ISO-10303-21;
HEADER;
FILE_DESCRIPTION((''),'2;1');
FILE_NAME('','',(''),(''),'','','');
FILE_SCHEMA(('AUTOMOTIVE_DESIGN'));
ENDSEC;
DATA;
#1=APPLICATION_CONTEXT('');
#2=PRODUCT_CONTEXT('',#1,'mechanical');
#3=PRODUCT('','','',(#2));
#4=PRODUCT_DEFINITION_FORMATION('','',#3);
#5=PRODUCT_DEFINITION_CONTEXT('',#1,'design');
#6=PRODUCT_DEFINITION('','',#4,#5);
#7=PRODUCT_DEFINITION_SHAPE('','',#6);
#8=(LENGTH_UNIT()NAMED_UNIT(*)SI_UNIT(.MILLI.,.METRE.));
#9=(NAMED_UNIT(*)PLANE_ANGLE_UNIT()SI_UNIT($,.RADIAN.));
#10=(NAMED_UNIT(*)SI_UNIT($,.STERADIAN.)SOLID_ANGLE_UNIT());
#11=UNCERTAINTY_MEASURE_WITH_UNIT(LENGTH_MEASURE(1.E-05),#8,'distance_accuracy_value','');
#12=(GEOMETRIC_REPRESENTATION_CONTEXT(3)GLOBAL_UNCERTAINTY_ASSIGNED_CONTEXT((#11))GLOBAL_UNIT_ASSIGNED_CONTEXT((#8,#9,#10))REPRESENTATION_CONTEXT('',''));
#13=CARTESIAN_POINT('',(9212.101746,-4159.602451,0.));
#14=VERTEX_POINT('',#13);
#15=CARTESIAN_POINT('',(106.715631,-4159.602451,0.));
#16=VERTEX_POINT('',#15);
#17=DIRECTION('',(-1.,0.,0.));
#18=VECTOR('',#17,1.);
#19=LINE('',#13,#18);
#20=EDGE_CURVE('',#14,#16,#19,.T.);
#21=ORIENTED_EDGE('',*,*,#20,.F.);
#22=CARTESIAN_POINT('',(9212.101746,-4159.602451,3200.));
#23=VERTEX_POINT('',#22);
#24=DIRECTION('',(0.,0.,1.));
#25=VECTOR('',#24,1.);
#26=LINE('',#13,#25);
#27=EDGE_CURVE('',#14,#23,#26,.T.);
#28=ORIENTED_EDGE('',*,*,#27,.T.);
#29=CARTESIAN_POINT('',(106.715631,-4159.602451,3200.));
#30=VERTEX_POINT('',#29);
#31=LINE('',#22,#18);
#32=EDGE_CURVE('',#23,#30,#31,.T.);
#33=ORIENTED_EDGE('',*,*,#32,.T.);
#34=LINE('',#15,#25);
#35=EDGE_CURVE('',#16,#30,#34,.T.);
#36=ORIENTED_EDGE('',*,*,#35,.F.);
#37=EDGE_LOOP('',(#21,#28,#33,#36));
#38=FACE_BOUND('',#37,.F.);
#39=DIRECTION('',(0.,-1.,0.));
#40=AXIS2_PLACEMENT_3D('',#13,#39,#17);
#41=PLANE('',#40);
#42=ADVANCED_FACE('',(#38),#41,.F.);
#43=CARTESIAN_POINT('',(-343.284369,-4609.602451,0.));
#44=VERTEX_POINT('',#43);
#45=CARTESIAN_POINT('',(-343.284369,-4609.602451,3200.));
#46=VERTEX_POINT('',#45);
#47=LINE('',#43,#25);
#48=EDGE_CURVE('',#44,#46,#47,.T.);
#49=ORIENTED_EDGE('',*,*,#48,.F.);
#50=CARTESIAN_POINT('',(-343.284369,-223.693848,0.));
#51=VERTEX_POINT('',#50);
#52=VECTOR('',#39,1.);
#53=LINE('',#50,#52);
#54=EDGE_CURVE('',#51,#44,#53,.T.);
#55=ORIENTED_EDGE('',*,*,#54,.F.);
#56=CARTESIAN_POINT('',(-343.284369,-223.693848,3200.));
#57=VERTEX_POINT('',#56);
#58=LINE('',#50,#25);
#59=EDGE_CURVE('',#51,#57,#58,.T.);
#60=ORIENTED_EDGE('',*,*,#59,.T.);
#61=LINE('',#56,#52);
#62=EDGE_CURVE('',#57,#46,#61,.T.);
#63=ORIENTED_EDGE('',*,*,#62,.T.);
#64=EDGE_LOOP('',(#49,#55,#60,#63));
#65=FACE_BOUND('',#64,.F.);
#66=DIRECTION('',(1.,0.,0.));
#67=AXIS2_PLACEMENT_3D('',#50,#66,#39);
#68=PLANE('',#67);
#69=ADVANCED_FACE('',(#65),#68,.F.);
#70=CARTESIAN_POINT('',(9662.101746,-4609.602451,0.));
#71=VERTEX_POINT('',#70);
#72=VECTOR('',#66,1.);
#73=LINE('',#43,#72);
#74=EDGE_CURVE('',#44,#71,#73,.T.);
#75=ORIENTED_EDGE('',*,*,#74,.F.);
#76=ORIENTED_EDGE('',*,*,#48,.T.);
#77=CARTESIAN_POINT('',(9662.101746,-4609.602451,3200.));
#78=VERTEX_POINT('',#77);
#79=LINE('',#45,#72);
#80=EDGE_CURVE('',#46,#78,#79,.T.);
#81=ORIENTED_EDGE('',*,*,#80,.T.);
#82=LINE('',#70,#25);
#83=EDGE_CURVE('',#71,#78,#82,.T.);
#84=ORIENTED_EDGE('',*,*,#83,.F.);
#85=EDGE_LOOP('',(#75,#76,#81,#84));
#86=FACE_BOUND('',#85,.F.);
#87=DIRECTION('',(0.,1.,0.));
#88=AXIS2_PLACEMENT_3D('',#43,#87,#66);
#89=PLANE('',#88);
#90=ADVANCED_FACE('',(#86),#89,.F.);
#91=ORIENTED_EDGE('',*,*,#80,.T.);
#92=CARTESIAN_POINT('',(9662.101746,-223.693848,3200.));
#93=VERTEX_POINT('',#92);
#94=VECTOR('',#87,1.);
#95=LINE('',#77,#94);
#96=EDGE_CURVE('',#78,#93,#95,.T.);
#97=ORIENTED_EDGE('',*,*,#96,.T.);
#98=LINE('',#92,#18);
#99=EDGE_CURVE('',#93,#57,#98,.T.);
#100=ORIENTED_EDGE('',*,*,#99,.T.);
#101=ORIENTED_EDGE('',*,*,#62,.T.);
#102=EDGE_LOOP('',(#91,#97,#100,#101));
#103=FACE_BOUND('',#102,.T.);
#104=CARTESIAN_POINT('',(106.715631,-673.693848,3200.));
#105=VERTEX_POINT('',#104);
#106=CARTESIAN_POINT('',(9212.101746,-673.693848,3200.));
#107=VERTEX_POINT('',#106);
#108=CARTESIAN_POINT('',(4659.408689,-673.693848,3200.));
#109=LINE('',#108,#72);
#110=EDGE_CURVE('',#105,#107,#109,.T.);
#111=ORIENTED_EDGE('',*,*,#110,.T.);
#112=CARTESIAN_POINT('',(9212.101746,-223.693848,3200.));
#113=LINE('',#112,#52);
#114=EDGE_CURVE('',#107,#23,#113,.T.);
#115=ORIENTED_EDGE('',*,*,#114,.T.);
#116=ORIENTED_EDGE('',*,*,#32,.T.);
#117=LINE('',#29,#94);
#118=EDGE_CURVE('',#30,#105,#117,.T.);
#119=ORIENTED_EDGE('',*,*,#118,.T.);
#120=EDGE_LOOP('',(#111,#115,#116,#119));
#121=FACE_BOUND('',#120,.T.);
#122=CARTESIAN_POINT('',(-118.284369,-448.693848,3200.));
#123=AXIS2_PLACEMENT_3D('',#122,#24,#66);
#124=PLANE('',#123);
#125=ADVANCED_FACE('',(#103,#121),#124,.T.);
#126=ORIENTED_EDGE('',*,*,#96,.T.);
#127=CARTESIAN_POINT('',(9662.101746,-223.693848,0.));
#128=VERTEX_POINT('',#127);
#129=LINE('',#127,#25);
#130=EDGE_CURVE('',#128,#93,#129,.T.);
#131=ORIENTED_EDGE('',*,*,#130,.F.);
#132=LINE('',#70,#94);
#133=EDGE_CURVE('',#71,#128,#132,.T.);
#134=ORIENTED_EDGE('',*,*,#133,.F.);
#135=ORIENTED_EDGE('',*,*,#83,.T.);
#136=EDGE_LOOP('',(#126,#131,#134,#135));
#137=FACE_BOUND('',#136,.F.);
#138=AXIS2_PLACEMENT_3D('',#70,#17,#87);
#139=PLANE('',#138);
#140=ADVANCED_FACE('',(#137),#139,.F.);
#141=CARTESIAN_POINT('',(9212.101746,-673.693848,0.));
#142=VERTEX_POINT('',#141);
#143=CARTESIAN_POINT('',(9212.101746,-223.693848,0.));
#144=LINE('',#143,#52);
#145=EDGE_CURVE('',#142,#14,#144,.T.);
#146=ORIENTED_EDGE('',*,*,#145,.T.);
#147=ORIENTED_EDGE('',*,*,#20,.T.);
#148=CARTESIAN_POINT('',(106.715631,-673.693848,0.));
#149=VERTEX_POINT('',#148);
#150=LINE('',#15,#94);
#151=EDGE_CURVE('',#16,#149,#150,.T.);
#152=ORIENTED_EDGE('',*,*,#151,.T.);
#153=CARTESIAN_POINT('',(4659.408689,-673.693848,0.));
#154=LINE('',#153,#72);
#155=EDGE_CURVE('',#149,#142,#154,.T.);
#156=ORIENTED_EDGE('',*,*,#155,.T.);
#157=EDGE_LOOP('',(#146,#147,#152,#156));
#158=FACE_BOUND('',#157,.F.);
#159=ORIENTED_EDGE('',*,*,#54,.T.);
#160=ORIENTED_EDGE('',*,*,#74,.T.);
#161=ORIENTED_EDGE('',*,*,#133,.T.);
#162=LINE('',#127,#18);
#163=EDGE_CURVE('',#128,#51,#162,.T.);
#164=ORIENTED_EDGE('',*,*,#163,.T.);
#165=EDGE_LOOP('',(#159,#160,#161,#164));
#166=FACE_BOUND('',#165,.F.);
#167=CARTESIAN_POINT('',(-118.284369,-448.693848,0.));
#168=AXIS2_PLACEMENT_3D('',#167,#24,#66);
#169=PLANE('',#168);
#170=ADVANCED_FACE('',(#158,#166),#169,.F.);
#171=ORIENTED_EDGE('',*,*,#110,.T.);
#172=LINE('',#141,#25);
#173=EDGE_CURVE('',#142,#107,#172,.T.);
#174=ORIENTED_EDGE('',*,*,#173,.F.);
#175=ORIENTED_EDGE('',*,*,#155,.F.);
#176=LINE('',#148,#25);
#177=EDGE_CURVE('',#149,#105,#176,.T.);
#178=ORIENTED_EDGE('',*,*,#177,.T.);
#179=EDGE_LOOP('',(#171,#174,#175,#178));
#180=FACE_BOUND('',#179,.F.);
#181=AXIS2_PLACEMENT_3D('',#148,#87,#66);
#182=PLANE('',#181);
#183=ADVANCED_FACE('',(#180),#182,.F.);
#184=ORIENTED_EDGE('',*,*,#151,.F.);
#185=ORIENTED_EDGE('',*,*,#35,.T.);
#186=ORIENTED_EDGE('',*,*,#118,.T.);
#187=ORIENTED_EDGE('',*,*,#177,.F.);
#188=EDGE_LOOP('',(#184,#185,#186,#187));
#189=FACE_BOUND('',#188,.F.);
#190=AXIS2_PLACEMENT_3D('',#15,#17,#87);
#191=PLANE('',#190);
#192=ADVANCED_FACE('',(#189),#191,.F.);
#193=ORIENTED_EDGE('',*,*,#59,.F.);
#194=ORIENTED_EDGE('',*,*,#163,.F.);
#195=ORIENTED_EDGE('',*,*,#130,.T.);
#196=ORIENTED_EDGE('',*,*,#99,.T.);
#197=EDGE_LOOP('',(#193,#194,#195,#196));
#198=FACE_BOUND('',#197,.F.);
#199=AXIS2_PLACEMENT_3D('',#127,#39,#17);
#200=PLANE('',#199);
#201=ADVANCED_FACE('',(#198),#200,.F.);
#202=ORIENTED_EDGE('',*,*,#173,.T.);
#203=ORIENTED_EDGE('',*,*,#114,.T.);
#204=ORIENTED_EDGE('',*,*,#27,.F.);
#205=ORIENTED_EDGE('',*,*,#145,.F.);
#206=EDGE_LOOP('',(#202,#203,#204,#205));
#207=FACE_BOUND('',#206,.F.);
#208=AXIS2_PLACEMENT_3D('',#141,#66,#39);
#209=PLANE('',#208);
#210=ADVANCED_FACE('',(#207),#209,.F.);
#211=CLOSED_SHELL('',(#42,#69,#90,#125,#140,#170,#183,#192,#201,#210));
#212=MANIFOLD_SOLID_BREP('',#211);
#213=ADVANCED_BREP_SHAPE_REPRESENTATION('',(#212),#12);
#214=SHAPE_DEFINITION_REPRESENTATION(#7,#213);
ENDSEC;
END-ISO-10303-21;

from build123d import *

# Parameters (mm, degrees)
F0_W     = 450
F0_H     = 450
F0_H_2   = 3485.9086036682
F0_W_2   = 9105.3861141205
F1_DEPTH = 3200


with BuildPart() as f1:
    # F0 (on Top) → F1 (new body)
    with BuildSketch(Plane.XY):
        with Locations((-118.284368515, -448.6938476562)):
            Rectangle(F0_W, F0_H)
        with Locations((9437.1017456055, -448.6938476562)):
            Rectangle(F0_W, F0_H)
        with Locations((9437.1017456055, -4384.6024513245)):
            Rectangle(F0_W, F0_H)
        with Locations((-118.284368515, -4384.6024513245)):
            Rectangle(F0_W, F0_H)
        with Locations((9437.1017456055, -2416.6481494904)):
            Rectangle(F0_W, F0_H_2)
        with Locations((4659.4086885452, -4384.6024513245)):
            Rectangle(F0_W_2, F0_H)
        with Locations((-118.284368515, -2416.6481494904)):
            Rectangle(F0_W, F0_H_2)
        with Locations((4659.4086885452, -448.6938476562)):
            Rectangle(F0_W_2, F0_H)
    extrude(amount=F1_DEPTH)


solid = f1.part
